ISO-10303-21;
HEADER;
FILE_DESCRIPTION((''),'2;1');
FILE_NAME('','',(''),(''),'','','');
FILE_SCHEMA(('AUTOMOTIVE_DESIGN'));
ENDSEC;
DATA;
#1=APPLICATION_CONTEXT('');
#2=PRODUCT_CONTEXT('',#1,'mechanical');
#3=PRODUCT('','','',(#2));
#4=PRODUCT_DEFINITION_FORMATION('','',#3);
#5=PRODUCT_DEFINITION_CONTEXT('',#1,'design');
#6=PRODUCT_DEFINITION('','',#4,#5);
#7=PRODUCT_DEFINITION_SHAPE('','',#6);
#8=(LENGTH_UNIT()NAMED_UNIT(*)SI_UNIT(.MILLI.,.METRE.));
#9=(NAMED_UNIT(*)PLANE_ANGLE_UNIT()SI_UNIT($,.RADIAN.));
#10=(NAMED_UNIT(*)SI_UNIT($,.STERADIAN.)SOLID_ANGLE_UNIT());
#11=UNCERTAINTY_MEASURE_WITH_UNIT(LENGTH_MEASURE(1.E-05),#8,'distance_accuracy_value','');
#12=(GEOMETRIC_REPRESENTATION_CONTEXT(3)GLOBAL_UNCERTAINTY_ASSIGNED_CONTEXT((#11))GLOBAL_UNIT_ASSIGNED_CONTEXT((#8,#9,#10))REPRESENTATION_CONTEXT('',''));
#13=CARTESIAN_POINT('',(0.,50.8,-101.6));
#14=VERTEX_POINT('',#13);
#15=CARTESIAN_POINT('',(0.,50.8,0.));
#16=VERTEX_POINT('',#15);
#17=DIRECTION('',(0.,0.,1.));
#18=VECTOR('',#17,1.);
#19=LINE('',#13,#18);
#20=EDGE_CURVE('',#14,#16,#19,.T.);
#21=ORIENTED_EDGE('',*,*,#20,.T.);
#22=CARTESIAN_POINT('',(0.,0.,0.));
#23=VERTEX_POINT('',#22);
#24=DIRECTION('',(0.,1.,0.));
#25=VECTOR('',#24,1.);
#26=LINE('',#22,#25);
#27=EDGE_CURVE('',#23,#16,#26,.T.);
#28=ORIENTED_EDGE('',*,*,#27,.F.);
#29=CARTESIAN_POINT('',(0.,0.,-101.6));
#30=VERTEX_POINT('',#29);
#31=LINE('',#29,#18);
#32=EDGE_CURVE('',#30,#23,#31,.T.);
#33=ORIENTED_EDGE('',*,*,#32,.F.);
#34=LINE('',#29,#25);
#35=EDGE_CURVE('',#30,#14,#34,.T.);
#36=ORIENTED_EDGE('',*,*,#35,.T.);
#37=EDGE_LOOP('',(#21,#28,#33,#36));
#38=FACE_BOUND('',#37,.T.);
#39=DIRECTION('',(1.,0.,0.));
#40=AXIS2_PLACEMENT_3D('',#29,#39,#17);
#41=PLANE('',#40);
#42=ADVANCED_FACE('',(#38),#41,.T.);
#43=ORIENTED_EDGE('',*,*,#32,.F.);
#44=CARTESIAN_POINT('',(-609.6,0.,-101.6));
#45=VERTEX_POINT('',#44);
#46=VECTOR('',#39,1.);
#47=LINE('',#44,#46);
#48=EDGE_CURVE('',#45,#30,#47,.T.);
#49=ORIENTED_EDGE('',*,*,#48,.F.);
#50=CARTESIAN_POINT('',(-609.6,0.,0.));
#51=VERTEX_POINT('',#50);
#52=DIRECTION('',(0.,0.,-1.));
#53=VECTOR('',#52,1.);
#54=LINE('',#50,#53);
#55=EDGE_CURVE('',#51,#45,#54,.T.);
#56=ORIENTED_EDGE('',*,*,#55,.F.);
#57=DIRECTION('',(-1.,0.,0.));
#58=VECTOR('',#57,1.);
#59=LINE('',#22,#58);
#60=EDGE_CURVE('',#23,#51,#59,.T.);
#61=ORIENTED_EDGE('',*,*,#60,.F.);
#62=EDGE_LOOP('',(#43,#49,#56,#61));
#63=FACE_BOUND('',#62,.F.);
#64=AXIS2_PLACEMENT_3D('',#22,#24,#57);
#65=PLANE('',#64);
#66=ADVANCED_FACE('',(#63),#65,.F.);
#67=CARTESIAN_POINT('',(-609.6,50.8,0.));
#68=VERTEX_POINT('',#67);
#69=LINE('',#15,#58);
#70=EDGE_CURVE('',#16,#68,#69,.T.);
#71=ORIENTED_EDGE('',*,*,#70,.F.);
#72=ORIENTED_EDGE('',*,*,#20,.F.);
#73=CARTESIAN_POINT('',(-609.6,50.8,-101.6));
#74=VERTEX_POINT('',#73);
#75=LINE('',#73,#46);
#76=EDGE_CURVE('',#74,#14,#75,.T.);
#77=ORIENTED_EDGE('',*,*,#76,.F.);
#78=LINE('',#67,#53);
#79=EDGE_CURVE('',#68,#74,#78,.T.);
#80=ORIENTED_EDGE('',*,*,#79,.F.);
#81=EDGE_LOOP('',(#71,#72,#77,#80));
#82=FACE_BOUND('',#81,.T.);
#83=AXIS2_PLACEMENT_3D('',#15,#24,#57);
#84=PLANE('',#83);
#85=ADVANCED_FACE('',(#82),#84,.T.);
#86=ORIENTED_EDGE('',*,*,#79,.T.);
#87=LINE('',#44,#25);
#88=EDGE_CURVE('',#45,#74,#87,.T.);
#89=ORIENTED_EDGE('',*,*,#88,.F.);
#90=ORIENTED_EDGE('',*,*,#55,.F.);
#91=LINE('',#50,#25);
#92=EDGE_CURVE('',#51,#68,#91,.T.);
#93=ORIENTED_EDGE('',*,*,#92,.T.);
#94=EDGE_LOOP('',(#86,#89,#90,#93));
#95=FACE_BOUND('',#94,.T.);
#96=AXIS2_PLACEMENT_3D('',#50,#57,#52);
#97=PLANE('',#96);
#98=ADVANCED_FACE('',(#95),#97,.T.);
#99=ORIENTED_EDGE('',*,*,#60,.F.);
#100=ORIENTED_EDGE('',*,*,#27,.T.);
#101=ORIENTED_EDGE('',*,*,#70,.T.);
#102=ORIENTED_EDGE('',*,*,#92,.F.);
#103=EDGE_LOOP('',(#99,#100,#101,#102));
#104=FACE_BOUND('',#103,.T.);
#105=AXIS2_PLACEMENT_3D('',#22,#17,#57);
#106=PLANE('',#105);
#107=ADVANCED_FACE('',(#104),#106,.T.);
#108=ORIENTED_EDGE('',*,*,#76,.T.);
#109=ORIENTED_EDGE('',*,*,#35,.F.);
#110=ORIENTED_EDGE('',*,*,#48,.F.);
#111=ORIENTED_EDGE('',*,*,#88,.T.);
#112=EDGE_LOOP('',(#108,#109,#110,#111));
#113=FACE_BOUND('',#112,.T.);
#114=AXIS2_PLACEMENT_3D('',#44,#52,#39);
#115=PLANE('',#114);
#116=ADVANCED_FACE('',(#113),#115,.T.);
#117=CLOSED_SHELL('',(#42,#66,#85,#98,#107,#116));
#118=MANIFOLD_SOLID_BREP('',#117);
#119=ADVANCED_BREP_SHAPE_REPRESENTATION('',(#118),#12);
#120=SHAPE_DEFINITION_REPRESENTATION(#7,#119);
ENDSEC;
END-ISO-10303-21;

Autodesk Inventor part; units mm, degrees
ref_plane "YZ Plane" through (0, 0, 0) normal (1, 0, 0) x (0, 1, 0)
ref_plane "XZ Plane" through (0, 0, 0) normal (0, 1, 0) x (-1, 0, 0)
ref_plane "XY Plane" through (0, 0, 0) normal (0, 0, 1) x (1, 0, 0)
sketch "Sketch1" plane through (0, 0, 0) normal (0, 1, 0) x (-1, 0, 0)
  line L0 (0, 0) -> (609.6, 0)
  line L1 (609.6, 0) -> (609.6, -101.6)
  line L2 (609.6, -101.6) -> (0, -101.6)
  line L3 (0, -101.6) -> (0, 0)
  dimension "d0" = 609.6
  dimension "d1" = 101.6
extrude "Extrusion1" add sketch "Sketch1" along normal blind 50.8
properties part number "2x4x24"
